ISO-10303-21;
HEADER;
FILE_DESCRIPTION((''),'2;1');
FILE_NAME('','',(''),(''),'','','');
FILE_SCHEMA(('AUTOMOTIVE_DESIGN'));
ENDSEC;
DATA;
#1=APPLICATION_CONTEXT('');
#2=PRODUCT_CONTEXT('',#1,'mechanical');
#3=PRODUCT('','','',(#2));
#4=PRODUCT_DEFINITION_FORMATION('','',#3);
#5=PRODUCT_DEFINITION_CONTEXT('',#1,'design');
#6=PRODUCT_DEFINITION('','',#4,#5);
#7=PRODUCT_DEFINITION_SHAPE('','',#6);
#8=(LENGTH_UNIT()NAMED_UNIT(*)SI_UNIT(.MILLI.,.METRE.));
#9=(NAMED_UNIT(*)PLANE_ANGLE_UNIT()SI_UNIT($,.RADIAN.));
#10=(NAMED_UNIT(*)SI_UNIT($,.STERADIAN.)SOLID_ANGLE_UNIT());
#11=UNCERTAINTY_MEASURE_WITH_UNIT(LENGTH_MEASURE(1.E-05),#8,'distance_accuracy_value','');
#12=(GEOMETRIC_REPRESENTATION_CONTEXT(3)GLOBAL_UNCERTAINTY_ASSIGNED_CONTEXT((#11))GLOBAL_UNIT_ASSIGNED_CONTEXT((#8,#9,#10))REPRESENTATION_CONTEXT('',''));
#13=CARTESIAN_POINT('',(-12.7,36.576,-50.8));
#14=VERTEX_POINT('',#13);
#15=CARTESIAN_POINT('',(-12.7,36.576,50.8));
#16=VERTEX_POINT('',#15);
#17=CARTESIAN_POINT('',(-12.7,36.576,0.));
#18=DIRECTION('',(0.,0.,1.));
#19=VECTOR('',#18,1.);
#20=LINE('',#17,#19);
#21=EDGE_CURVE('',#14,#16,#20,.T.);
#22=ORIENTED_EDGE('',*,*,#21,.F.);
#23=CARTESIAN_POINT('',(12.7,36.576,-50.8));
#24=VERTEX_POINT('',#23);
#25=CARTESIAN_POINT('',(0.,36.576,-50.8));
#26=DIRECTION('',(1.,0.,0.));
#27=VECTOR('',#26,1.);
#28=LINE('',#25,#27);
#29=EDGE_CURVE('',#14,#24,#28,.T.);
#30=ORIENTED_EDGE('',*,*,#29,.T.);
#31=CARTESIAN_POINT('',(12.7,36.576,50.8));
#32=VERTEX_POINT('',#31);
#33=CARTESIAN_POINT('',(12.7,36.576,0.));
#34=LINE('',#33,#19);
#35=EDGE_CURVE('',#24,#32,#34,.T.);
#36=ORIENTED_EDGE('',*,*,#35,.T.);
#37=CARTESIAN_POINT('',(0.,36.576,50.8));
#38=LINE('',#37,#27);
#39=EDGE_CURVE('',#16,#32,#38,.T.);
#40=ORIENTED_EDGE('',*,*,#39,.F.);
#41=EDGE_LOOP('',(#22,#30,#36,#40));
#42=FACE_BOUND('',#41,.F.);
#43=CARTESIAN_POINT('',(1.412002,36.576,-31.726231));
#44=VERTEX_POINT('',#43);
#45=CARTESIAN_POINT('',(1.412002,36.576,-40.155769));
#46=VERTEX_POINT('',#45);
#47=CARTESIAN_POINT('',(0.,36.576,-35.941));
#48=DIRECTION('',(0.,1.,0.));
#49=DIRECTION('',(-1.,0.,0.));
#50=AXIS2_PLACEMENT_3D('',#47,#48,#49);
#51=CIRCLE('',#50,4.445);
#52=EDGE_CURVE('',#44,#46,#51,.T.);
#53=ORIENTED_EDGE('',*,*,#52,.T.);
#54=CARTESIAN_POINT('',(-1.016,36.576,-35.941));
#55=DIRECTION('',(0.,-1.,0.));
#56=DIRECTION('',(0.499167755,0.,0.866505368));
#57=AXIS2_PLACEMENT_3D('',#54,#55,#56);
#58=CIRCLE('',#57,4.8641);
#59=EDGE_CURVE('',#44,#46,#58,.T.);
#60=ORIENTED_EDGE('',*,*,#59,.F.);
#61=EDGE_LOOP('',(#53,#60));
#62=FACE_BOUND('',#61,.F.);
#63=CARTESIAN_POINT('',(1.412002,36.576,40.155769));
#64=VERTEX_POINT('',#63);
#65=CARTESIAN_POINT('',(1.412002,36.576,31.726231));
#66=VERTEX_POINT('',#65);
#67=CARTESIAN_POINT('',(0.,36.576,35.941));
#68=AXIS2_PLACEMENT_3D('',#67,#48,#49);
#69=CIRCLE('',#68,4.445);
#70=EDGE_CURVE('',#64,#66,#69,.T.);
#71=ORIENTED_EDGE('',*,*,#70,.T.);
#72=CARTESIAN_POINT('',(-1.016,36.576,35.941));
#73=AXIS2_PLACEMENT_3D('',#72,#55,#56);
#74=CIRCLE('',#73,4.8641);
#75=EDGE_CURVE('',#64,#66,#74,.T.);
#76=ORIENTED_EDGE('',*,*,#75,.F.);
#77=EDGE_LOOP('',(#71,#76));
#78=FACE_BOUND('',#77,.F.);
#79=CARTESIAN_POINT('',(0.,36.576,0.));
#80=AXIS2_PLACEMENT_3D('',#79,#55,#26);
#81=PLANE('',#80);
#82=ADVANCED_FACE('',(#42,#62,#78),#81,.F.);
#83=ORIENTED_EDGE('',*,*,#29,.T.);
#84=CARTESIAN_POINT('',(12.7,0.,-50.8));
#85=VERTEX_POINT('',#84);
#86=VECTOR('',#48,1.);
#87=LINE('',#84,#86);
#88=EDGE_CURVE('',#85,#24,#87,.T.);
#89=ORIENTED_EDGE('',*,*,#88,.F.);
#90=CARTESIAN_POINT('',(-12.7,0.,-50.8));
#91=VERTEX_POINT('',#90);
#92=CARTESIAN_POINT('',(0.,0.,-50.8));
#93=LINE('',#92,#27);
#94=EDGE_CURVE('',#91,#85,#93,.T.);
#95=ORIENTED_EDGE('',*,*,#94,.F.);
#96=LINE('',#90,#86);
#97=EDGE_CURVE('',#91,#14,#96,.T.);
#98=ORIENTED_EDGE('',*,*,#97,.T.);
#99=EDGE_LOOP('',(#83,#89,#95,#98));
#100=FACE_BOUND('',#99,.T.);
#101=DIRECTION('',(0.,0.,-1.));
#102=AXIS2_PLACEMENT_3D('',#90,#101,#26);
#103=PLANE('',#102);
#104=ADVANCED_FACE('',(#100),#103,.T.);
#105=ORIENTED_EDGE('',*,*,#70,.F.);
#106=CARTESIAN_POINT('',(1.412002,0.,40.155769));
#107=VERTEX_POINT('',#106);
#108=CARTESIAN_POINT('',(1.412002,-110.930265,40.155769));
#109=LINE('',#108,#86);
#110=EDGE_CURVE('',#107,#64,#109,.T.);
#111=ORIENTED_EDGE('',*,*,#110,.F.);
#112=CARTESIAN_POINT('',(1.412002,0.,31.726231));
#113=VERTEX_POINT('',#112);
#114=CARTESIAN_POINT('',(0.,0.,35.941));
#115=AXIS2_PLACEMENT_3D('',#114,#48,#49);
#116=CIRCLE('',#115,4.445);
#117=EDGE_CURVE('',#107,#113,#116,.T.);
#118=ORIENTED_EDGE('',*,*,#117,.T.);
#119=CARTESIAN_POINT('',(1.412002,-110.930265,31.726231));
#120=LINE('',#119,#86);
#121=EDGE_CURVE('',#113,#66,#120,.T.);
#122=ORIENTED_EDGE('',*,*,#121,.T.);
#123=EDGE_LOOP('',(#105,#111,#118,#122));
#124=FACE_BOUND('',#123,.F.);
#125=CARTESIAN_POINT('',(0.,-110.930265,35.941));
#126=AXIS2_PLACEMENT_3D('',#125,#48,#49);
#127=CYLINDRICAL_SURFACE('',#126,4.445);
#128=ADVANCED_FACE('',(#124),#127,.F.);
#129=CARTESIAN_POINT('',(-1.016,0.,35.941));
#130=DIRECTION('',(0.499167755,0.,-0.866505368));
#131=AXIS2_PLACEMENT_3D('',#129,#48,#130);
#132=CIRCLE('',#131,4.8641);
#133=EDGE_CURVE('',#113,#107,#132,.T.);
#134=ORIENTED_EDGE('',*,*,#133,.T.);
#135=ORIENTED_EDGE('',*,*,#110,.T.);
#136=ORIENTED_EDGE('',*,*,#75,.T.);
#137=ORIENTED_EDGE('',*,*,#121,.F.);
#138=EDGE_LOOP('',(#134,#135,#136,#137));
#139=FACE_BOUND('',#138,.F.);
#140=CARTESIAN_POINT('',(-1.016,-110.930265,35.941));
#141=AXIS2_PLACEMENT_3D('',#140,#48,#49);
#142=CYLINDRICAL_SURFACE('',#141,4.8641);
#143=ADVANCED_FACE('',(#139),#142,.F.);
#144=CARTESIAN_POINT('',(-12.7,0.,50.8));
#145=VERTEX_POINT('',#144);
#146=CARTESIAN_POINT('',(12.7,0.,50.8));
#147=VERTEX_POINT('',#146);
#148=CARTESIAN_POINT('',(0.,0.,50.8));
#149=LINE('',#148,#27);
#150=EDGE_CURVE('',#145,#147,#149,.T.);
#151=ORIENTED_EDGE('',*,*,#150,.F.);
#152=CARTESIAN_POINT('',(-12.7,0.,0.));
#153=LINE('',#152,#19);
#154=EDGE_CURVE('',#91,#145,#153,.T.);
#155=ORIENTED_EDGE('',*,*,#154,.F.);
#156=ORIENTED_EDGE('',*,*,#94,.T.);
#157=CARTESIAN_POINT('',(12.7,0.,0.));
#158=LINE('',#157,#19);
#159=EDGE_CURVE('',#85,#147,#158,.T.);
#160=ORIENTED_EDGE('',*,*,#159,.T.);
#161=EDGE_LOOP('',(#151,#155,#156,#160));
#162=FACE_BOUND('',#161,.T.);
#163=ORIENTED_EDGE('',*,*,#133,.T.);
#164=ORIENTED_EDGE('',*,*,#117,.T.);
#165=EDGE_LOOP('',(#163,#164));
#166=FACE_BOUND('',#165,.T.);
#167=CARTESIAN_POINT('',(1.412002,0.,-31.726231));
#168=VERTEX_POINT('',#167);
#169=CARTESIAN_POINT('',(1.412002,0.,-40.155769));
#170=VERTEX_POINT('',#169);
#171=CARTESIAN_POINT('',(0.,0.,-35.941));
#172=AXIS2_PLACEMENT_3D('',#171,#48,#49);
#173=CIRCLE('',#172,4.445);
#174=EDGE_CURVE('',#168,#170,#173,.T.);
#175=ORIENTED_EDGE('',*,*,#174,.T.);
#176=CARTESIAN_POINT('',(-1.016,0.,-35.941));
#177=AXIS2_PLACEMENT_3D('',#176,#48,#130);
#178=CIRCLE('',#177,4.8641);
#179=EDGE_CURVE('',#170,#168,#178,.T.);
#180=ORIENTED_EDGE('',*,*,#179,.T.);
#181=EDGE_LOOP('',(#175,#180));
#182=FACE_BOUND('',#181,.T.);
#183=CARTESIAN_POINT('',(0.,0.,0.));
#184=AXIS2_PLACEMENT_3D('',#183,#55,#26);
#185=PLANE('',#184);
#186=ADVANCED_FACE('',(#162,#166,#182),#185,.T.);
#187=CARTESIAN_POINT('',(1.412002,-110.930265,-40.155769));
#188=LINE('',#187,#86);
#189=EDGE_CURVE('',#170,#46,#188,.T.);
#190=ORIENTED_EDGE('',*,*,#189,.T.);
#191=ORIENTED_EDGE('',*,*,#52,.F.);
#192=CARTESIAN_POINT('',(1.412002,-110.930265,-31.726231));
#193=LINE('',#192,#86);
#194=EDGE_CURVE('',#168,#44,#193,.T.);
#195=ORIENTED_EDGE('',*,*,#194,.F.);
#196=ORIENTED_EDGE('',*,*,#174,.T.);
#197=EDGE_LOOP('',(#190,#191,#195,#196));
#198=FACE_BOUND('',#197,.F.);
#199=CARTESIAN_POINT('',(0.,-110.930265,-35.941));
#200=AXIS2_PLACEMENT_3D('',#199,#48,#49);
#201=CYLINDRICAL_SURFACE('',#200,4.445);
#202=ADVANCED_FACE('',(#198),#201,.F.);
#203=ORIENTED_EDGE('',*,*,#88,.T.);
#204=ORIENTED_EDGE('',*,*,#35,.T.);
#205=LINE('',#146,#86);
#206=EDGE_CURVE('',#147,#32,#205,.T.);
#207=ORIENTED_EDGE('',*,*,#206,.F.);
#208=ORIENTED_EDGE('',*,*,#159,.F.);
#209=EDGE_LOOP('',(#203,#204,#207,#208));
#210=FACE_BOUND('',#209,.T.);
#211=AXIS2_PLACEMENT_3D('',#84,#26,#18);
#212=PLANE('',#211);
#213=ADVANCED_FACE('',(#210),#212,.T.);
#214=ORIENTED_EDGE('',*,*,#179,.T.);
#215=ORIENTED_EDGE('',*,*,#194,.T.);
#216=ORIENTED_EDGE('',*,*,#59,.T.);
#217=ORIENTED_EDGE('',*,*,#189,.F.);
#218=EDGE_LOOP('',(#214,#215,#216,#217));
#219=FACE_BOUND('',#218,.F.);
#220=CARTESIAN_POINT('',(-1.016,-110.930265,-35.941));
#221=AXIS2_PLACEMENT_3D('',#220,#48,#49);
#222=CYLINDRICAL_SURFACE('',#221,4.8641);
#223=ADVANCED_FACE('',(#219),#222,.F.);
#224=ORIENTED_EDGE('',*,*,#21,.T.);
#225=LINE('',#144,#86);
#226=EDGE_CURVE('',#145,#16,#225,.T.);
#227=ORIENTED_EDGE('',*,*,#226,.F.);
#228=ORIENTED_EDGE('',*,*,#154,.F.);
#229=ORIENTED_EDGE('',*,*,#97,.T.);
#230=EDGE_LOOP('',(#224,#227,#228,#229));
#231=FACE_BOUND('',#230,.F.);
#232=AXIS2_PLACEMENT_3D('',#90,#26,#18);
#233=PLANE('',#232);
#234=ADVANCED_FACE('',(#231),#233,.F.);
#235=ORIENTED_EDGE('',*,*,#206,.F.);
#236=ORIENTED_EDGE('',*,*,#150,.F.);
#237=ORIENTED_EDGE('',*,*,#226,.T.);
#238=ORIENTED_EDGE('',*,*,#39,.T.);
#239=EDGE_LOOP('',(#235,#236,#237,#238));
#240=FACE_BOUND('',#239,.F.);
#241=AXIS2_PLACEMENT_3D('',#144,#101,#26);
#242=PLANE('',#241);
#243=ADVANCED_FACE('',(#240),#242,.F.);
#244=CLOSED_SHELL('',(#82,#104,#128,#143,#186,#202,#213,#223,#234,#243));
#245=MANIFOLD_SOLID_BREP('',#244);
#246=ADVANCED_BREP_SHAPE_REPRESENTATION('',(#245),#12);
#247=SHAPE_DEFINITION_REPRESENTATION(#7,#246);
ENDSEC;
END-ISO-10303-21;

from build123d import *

# Parameters (mm, degrees)
F0_W     = 25.4
F0_H     = 101.6
F1_DEPTH = 36.576
F2_D     = 8.89
F3_D     = 9.7282


with BuildPart() as f1:
    # F0 (on Front) → F1 (new body)
    with BuildSketch(Plane.XZ):
        Rectangle(F0_W, F0_H)
    extrude(amount=-F1_DEPTH)

    # F2 (through all)
    with Locations(Plane.XZ):
        with Locations((0, 35.941), (0, -35.941)):
            Hole(F2_D / 2)

    # F3 (through all)
    with Locations(Plane.XZ):
        with Locations((-1.016, 35.941), (-1.016, -35.941)):
            Hole(F3_D / 2)


solid = f1.part
